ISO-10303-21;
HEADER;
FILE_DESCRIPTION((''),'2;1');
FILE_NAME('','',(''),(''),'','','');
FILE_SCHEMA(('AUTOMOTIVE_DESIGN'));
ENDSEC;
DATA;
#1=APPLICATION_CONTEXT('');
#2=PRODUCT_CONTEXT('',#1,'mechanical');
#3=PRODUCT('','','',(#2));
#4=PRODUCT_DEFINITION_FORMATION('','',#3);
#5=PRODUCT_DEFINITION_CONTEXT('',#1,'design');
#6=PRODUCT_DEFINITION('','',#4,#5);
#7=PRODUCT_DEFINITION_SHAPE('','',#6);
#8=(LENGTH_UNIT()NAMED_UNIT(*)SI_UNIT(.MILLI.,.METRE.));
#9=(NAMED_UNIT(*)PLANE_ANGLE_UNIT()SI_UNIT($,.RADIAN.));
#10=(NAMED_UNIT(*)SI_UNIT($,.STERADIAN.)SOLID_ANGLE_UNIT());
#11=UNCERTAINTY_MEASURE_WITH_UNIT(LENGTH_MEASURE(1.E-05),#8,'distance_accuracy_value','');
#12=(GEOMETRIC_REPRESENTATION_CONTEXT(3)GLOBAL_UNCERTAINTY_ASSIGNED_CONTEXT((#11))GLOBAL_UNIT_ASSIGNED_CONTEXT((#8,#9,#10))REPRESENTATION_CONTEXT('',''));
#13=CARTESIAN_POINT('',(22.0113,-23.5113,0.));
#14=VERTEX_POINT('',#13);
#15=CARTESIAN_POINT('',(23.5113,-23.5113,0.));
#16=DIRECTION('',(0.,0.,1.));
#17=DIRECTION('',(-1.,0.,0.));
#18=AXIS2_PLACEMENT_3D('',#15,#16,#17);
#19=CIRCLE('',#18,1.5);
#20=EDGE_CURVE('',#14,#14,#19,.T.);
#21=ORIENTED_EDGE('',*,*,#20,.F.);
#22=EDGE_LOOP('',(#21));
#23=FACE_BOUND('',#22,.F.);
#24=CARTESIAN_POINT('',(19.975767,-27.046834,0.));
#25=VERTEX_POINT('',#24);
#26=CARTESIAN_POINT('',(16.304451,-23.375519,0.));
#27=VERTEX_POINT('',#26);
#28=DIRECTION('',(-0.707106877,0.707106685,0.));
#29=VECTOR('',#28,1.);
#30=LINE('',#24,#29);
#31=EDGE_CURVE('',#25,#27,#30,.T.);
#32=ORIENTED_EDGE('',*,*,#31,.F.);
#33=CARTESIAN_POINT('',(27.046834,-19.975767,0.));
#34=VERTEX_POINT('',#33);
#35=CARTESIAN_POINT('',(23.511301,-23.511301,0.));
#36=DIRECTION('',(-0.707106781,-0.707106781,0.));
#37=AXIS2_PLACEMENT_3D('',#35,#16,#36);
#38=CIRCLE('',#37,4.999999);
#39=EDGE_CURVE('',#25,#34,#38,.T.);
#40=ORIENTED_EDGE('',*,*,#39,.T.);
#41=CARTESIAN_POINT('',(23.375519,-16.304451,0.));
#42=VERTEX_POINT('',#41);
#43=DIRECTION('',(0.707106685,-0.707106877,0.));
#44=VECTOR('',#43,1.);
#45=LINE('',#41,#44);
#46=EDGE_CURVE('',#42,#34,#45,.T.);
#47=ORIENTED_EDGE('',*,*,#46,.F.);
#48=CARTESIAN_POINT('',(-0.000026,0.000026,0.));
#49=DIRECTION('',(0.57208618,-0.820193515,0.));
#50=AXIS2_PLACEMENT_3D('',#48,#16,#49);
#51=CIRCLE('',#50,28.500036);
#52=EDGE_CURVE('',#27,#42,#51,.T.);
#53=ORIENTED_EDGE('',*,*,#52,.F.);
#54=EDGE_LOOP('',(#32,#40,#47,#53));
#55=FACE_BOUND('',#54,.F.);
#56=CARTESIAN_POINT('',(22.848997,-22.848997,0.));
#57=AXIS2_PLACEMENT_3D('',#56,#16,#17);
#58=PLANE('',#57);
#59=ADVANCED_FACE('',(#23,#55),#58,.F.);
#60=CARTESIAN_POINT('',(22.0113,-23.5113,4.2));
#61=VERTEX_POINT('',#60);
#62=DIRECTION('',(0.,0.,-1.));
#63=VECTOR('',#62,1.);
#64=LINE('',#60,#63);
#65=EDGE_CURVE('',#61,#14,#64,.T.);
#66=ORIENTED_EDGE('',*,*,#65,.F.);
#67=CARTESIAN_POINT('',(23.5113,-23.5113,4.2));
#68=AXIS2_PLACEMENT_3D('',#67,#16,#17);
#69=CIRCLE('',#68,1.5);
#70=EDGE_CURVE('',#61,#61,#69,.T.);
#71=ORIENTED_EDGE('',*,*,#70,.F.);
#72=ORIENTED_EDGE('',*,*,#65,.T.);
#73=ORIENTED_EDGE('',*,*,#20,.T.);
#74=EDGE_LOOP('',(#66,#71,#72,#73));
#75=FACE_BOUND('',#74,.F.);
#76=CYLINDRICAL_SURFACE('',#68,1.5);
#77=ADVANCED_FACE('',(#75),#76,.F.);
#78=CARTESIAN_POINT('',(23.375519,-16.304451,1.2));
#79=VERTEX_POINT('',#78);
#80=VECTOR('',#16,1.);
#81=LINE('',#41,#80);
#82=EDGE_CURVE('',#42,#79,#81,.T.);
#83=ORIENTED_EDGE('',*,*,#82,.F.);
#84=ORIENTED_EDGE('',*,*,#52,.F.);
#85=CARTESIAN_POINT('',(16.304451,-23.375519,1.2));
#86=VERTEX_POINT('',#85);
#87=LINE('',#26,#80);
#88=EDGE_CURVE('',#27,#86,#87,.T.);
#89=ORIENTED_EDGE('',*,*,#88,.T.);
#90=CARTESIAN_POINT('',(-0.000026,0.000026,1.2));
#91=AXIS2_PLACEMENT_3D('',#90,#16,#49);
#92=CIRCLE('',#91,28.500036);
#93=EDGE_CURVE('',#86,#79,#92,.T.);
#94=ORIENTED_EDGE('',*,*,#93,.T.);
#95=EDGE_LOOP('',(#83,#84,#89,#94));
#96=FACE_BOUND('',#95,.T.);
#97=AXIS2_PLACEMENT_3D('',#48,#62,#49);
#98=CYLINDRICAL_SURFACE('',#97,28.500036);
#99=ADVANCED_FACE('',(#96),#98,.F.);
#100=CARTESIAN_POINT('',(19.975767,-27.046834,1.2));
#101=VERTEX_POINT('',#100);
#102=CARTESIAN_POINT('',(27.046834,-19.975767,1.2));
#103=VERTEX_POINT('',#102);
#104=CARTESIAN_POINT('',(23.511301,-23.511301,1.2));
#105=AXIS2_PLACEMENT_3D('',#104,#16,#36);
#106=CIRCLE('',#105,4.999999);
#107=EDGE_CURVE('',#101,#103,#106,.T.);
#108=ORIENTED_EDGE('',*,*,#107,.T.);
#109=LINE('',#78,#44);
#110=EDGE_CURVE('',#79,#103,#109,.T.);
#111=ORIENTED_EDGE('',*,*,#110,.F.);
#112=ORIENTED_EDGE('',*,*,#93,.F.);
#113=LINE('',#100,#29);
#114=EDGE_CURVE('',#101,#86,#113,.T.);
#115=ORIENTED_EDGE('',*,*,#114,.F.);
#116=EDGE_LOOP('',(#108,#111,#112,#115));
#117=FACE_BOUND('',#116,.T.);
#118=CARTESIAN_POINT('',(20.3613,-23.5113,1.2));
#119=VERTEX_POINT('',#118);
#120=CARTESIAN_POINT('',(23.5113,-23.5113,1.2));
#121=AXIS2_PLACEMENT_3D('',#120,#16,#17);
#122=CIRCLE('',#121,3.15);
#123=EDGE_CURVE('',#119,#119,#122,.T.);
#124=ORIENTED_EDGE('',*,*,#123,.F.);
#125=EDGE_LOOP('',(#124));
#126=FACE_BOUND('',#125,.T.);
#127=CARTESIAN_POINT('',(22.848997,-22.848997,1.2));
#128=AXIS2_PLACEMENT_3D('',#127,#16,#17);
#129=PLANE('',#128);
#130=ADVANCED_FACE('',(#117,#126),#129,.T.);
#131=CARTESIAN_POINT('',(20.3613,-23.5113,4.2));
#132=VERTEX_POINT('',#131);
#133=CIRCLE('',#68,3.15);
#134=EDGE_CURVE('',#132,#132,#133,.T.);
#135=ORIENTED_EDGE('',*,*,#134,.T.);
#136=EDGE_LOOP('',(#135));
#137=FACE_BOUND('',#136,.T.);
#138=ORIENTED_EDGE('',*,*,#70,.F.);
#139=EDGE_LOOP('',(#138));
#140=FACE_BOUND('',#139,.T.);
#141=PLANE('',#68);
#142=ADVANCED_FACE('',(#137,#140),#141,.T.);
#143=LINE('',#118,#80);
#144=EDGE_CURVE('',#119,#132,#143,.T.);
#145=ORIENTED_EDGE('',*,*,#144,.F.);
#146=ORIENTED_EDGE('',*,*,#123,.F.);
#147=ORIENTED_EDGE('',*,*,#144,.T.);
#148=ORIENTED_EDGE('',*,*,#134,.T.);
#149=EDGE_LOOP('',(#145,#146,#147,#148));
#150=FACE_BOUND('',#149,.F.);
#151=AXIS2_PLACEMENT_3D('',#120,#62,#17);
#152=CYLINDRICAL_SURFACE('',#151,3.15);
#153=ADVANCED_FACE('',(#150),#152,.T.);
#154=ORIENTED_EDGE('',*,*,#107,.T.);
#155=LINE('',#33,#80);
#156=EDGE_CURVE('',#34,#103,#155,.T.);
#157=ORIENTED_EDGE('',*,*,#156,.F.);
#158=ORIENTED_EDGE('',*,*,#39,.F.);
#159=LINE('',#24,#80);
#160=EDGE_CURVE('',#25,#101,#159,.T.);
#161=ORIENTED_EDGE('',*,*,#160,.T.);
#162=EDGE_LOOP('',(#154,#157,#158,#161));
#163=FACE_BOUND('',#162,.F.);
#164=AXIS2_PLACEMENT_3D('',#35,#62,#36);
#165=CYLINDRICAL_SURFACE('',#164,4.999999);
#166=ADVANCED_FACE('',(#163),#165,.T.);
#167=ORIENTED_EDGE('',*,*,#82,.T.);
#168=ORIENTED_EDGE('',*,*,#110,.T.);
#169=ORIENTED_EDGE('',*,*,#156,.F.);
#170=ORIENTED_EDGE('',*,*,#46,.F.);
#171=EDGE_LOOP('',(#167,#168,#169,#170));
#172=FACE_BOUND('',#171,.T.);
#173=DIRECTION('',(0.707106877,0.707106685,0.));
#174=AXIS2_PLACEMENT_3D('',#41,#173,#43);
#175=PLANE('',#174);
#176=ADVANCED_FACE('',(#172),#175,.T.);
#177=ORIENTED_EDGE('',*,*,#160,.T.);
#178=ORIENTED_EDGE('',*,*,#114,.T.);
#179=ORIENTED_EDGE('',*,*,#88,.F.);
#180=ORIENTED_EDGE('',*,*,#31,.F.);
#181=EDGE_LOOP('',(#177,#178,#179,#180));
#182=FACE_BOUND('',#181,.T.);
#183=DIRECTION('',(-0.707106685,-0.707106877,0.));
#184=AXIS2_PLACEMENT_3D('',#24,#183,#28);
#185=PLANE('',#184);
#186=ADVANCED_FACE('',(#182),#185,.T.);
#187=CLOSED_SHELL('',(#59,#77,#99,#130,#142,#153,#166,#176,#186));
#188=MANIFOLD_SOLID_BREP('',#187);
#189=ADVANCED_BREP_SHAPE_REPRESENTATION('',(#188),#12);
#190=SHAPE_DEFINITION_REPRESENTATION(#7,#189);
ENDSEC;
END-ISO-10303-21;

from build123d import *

# Parameters (mm, degrees)
PAD_DEPTH                = 1.2
SKETCH001_R              = 3.15
PAD001_DEPTH             = 3
SKETCH002_R              = 0.8
POCKET_DEPTH             = 4.201
SKETCH003_R              = 1.5
POCKET001_DEPTH          = 5
CLONE001_PLACEMENT_ANGLE = 180


with BuildPart() as part:
    # Sketch → Pad (new body)
    with BuildSketch(Plane.XY):
        with BuildLine():
            ThreePointArc((-19.975767, 27.046834), (-27.046834, 27.046834), (-27.046834, 19.975767))
            Line((-23.375519, 16.304451), (-27.046834, 19.975767))
            ThreePointArc((-16.304451, 23.375519), (-20.152543, 20.152543), (-23.375519, 16.304451))
            Line((-19.975767, 27.046834), (-16.304451, 23.375519))
        make_face()
    extrude(amount=PAD_DEPTH)

    # Sketch001 → Pad001 (new body)
    with BuildSketch(Plane.XY.offset(1.2)):
        with Locations((-23.5113, 23.5113)):
            Circle(SKETCH001_R)
    extrude(amount=PAD001_DEPTH)

    # Sketch002 → Pocket (cut, through all)
    with BuildSketch(Plane.XY.offset(4.2)):
        with Locations((-23.5113, 23.5113)):
            Circle(SKETCH002_R)
    extrude(amount=-POCKET_DEPTH, mode=Mode.SUBTRACT)

    # Sketch003 → Pocket001 (cut)
    with BuildSketch(Plane.XY.offset(4.2)):
        with Locations((-23.5113, 23.5113)):
            Circle(SKETCH003_R)
    extrude(amount=-POCKET001_DEPTH, mode=Mode.SUBTRACT)


with BuildPart() as part_1:
    # Clone001 placement: moved
    add(part.part.rotate(Axis((0, 0, 0), (0, 0, 1)), CLONE001_PLACEMENT_ANGLE))


solid = part_1.part
